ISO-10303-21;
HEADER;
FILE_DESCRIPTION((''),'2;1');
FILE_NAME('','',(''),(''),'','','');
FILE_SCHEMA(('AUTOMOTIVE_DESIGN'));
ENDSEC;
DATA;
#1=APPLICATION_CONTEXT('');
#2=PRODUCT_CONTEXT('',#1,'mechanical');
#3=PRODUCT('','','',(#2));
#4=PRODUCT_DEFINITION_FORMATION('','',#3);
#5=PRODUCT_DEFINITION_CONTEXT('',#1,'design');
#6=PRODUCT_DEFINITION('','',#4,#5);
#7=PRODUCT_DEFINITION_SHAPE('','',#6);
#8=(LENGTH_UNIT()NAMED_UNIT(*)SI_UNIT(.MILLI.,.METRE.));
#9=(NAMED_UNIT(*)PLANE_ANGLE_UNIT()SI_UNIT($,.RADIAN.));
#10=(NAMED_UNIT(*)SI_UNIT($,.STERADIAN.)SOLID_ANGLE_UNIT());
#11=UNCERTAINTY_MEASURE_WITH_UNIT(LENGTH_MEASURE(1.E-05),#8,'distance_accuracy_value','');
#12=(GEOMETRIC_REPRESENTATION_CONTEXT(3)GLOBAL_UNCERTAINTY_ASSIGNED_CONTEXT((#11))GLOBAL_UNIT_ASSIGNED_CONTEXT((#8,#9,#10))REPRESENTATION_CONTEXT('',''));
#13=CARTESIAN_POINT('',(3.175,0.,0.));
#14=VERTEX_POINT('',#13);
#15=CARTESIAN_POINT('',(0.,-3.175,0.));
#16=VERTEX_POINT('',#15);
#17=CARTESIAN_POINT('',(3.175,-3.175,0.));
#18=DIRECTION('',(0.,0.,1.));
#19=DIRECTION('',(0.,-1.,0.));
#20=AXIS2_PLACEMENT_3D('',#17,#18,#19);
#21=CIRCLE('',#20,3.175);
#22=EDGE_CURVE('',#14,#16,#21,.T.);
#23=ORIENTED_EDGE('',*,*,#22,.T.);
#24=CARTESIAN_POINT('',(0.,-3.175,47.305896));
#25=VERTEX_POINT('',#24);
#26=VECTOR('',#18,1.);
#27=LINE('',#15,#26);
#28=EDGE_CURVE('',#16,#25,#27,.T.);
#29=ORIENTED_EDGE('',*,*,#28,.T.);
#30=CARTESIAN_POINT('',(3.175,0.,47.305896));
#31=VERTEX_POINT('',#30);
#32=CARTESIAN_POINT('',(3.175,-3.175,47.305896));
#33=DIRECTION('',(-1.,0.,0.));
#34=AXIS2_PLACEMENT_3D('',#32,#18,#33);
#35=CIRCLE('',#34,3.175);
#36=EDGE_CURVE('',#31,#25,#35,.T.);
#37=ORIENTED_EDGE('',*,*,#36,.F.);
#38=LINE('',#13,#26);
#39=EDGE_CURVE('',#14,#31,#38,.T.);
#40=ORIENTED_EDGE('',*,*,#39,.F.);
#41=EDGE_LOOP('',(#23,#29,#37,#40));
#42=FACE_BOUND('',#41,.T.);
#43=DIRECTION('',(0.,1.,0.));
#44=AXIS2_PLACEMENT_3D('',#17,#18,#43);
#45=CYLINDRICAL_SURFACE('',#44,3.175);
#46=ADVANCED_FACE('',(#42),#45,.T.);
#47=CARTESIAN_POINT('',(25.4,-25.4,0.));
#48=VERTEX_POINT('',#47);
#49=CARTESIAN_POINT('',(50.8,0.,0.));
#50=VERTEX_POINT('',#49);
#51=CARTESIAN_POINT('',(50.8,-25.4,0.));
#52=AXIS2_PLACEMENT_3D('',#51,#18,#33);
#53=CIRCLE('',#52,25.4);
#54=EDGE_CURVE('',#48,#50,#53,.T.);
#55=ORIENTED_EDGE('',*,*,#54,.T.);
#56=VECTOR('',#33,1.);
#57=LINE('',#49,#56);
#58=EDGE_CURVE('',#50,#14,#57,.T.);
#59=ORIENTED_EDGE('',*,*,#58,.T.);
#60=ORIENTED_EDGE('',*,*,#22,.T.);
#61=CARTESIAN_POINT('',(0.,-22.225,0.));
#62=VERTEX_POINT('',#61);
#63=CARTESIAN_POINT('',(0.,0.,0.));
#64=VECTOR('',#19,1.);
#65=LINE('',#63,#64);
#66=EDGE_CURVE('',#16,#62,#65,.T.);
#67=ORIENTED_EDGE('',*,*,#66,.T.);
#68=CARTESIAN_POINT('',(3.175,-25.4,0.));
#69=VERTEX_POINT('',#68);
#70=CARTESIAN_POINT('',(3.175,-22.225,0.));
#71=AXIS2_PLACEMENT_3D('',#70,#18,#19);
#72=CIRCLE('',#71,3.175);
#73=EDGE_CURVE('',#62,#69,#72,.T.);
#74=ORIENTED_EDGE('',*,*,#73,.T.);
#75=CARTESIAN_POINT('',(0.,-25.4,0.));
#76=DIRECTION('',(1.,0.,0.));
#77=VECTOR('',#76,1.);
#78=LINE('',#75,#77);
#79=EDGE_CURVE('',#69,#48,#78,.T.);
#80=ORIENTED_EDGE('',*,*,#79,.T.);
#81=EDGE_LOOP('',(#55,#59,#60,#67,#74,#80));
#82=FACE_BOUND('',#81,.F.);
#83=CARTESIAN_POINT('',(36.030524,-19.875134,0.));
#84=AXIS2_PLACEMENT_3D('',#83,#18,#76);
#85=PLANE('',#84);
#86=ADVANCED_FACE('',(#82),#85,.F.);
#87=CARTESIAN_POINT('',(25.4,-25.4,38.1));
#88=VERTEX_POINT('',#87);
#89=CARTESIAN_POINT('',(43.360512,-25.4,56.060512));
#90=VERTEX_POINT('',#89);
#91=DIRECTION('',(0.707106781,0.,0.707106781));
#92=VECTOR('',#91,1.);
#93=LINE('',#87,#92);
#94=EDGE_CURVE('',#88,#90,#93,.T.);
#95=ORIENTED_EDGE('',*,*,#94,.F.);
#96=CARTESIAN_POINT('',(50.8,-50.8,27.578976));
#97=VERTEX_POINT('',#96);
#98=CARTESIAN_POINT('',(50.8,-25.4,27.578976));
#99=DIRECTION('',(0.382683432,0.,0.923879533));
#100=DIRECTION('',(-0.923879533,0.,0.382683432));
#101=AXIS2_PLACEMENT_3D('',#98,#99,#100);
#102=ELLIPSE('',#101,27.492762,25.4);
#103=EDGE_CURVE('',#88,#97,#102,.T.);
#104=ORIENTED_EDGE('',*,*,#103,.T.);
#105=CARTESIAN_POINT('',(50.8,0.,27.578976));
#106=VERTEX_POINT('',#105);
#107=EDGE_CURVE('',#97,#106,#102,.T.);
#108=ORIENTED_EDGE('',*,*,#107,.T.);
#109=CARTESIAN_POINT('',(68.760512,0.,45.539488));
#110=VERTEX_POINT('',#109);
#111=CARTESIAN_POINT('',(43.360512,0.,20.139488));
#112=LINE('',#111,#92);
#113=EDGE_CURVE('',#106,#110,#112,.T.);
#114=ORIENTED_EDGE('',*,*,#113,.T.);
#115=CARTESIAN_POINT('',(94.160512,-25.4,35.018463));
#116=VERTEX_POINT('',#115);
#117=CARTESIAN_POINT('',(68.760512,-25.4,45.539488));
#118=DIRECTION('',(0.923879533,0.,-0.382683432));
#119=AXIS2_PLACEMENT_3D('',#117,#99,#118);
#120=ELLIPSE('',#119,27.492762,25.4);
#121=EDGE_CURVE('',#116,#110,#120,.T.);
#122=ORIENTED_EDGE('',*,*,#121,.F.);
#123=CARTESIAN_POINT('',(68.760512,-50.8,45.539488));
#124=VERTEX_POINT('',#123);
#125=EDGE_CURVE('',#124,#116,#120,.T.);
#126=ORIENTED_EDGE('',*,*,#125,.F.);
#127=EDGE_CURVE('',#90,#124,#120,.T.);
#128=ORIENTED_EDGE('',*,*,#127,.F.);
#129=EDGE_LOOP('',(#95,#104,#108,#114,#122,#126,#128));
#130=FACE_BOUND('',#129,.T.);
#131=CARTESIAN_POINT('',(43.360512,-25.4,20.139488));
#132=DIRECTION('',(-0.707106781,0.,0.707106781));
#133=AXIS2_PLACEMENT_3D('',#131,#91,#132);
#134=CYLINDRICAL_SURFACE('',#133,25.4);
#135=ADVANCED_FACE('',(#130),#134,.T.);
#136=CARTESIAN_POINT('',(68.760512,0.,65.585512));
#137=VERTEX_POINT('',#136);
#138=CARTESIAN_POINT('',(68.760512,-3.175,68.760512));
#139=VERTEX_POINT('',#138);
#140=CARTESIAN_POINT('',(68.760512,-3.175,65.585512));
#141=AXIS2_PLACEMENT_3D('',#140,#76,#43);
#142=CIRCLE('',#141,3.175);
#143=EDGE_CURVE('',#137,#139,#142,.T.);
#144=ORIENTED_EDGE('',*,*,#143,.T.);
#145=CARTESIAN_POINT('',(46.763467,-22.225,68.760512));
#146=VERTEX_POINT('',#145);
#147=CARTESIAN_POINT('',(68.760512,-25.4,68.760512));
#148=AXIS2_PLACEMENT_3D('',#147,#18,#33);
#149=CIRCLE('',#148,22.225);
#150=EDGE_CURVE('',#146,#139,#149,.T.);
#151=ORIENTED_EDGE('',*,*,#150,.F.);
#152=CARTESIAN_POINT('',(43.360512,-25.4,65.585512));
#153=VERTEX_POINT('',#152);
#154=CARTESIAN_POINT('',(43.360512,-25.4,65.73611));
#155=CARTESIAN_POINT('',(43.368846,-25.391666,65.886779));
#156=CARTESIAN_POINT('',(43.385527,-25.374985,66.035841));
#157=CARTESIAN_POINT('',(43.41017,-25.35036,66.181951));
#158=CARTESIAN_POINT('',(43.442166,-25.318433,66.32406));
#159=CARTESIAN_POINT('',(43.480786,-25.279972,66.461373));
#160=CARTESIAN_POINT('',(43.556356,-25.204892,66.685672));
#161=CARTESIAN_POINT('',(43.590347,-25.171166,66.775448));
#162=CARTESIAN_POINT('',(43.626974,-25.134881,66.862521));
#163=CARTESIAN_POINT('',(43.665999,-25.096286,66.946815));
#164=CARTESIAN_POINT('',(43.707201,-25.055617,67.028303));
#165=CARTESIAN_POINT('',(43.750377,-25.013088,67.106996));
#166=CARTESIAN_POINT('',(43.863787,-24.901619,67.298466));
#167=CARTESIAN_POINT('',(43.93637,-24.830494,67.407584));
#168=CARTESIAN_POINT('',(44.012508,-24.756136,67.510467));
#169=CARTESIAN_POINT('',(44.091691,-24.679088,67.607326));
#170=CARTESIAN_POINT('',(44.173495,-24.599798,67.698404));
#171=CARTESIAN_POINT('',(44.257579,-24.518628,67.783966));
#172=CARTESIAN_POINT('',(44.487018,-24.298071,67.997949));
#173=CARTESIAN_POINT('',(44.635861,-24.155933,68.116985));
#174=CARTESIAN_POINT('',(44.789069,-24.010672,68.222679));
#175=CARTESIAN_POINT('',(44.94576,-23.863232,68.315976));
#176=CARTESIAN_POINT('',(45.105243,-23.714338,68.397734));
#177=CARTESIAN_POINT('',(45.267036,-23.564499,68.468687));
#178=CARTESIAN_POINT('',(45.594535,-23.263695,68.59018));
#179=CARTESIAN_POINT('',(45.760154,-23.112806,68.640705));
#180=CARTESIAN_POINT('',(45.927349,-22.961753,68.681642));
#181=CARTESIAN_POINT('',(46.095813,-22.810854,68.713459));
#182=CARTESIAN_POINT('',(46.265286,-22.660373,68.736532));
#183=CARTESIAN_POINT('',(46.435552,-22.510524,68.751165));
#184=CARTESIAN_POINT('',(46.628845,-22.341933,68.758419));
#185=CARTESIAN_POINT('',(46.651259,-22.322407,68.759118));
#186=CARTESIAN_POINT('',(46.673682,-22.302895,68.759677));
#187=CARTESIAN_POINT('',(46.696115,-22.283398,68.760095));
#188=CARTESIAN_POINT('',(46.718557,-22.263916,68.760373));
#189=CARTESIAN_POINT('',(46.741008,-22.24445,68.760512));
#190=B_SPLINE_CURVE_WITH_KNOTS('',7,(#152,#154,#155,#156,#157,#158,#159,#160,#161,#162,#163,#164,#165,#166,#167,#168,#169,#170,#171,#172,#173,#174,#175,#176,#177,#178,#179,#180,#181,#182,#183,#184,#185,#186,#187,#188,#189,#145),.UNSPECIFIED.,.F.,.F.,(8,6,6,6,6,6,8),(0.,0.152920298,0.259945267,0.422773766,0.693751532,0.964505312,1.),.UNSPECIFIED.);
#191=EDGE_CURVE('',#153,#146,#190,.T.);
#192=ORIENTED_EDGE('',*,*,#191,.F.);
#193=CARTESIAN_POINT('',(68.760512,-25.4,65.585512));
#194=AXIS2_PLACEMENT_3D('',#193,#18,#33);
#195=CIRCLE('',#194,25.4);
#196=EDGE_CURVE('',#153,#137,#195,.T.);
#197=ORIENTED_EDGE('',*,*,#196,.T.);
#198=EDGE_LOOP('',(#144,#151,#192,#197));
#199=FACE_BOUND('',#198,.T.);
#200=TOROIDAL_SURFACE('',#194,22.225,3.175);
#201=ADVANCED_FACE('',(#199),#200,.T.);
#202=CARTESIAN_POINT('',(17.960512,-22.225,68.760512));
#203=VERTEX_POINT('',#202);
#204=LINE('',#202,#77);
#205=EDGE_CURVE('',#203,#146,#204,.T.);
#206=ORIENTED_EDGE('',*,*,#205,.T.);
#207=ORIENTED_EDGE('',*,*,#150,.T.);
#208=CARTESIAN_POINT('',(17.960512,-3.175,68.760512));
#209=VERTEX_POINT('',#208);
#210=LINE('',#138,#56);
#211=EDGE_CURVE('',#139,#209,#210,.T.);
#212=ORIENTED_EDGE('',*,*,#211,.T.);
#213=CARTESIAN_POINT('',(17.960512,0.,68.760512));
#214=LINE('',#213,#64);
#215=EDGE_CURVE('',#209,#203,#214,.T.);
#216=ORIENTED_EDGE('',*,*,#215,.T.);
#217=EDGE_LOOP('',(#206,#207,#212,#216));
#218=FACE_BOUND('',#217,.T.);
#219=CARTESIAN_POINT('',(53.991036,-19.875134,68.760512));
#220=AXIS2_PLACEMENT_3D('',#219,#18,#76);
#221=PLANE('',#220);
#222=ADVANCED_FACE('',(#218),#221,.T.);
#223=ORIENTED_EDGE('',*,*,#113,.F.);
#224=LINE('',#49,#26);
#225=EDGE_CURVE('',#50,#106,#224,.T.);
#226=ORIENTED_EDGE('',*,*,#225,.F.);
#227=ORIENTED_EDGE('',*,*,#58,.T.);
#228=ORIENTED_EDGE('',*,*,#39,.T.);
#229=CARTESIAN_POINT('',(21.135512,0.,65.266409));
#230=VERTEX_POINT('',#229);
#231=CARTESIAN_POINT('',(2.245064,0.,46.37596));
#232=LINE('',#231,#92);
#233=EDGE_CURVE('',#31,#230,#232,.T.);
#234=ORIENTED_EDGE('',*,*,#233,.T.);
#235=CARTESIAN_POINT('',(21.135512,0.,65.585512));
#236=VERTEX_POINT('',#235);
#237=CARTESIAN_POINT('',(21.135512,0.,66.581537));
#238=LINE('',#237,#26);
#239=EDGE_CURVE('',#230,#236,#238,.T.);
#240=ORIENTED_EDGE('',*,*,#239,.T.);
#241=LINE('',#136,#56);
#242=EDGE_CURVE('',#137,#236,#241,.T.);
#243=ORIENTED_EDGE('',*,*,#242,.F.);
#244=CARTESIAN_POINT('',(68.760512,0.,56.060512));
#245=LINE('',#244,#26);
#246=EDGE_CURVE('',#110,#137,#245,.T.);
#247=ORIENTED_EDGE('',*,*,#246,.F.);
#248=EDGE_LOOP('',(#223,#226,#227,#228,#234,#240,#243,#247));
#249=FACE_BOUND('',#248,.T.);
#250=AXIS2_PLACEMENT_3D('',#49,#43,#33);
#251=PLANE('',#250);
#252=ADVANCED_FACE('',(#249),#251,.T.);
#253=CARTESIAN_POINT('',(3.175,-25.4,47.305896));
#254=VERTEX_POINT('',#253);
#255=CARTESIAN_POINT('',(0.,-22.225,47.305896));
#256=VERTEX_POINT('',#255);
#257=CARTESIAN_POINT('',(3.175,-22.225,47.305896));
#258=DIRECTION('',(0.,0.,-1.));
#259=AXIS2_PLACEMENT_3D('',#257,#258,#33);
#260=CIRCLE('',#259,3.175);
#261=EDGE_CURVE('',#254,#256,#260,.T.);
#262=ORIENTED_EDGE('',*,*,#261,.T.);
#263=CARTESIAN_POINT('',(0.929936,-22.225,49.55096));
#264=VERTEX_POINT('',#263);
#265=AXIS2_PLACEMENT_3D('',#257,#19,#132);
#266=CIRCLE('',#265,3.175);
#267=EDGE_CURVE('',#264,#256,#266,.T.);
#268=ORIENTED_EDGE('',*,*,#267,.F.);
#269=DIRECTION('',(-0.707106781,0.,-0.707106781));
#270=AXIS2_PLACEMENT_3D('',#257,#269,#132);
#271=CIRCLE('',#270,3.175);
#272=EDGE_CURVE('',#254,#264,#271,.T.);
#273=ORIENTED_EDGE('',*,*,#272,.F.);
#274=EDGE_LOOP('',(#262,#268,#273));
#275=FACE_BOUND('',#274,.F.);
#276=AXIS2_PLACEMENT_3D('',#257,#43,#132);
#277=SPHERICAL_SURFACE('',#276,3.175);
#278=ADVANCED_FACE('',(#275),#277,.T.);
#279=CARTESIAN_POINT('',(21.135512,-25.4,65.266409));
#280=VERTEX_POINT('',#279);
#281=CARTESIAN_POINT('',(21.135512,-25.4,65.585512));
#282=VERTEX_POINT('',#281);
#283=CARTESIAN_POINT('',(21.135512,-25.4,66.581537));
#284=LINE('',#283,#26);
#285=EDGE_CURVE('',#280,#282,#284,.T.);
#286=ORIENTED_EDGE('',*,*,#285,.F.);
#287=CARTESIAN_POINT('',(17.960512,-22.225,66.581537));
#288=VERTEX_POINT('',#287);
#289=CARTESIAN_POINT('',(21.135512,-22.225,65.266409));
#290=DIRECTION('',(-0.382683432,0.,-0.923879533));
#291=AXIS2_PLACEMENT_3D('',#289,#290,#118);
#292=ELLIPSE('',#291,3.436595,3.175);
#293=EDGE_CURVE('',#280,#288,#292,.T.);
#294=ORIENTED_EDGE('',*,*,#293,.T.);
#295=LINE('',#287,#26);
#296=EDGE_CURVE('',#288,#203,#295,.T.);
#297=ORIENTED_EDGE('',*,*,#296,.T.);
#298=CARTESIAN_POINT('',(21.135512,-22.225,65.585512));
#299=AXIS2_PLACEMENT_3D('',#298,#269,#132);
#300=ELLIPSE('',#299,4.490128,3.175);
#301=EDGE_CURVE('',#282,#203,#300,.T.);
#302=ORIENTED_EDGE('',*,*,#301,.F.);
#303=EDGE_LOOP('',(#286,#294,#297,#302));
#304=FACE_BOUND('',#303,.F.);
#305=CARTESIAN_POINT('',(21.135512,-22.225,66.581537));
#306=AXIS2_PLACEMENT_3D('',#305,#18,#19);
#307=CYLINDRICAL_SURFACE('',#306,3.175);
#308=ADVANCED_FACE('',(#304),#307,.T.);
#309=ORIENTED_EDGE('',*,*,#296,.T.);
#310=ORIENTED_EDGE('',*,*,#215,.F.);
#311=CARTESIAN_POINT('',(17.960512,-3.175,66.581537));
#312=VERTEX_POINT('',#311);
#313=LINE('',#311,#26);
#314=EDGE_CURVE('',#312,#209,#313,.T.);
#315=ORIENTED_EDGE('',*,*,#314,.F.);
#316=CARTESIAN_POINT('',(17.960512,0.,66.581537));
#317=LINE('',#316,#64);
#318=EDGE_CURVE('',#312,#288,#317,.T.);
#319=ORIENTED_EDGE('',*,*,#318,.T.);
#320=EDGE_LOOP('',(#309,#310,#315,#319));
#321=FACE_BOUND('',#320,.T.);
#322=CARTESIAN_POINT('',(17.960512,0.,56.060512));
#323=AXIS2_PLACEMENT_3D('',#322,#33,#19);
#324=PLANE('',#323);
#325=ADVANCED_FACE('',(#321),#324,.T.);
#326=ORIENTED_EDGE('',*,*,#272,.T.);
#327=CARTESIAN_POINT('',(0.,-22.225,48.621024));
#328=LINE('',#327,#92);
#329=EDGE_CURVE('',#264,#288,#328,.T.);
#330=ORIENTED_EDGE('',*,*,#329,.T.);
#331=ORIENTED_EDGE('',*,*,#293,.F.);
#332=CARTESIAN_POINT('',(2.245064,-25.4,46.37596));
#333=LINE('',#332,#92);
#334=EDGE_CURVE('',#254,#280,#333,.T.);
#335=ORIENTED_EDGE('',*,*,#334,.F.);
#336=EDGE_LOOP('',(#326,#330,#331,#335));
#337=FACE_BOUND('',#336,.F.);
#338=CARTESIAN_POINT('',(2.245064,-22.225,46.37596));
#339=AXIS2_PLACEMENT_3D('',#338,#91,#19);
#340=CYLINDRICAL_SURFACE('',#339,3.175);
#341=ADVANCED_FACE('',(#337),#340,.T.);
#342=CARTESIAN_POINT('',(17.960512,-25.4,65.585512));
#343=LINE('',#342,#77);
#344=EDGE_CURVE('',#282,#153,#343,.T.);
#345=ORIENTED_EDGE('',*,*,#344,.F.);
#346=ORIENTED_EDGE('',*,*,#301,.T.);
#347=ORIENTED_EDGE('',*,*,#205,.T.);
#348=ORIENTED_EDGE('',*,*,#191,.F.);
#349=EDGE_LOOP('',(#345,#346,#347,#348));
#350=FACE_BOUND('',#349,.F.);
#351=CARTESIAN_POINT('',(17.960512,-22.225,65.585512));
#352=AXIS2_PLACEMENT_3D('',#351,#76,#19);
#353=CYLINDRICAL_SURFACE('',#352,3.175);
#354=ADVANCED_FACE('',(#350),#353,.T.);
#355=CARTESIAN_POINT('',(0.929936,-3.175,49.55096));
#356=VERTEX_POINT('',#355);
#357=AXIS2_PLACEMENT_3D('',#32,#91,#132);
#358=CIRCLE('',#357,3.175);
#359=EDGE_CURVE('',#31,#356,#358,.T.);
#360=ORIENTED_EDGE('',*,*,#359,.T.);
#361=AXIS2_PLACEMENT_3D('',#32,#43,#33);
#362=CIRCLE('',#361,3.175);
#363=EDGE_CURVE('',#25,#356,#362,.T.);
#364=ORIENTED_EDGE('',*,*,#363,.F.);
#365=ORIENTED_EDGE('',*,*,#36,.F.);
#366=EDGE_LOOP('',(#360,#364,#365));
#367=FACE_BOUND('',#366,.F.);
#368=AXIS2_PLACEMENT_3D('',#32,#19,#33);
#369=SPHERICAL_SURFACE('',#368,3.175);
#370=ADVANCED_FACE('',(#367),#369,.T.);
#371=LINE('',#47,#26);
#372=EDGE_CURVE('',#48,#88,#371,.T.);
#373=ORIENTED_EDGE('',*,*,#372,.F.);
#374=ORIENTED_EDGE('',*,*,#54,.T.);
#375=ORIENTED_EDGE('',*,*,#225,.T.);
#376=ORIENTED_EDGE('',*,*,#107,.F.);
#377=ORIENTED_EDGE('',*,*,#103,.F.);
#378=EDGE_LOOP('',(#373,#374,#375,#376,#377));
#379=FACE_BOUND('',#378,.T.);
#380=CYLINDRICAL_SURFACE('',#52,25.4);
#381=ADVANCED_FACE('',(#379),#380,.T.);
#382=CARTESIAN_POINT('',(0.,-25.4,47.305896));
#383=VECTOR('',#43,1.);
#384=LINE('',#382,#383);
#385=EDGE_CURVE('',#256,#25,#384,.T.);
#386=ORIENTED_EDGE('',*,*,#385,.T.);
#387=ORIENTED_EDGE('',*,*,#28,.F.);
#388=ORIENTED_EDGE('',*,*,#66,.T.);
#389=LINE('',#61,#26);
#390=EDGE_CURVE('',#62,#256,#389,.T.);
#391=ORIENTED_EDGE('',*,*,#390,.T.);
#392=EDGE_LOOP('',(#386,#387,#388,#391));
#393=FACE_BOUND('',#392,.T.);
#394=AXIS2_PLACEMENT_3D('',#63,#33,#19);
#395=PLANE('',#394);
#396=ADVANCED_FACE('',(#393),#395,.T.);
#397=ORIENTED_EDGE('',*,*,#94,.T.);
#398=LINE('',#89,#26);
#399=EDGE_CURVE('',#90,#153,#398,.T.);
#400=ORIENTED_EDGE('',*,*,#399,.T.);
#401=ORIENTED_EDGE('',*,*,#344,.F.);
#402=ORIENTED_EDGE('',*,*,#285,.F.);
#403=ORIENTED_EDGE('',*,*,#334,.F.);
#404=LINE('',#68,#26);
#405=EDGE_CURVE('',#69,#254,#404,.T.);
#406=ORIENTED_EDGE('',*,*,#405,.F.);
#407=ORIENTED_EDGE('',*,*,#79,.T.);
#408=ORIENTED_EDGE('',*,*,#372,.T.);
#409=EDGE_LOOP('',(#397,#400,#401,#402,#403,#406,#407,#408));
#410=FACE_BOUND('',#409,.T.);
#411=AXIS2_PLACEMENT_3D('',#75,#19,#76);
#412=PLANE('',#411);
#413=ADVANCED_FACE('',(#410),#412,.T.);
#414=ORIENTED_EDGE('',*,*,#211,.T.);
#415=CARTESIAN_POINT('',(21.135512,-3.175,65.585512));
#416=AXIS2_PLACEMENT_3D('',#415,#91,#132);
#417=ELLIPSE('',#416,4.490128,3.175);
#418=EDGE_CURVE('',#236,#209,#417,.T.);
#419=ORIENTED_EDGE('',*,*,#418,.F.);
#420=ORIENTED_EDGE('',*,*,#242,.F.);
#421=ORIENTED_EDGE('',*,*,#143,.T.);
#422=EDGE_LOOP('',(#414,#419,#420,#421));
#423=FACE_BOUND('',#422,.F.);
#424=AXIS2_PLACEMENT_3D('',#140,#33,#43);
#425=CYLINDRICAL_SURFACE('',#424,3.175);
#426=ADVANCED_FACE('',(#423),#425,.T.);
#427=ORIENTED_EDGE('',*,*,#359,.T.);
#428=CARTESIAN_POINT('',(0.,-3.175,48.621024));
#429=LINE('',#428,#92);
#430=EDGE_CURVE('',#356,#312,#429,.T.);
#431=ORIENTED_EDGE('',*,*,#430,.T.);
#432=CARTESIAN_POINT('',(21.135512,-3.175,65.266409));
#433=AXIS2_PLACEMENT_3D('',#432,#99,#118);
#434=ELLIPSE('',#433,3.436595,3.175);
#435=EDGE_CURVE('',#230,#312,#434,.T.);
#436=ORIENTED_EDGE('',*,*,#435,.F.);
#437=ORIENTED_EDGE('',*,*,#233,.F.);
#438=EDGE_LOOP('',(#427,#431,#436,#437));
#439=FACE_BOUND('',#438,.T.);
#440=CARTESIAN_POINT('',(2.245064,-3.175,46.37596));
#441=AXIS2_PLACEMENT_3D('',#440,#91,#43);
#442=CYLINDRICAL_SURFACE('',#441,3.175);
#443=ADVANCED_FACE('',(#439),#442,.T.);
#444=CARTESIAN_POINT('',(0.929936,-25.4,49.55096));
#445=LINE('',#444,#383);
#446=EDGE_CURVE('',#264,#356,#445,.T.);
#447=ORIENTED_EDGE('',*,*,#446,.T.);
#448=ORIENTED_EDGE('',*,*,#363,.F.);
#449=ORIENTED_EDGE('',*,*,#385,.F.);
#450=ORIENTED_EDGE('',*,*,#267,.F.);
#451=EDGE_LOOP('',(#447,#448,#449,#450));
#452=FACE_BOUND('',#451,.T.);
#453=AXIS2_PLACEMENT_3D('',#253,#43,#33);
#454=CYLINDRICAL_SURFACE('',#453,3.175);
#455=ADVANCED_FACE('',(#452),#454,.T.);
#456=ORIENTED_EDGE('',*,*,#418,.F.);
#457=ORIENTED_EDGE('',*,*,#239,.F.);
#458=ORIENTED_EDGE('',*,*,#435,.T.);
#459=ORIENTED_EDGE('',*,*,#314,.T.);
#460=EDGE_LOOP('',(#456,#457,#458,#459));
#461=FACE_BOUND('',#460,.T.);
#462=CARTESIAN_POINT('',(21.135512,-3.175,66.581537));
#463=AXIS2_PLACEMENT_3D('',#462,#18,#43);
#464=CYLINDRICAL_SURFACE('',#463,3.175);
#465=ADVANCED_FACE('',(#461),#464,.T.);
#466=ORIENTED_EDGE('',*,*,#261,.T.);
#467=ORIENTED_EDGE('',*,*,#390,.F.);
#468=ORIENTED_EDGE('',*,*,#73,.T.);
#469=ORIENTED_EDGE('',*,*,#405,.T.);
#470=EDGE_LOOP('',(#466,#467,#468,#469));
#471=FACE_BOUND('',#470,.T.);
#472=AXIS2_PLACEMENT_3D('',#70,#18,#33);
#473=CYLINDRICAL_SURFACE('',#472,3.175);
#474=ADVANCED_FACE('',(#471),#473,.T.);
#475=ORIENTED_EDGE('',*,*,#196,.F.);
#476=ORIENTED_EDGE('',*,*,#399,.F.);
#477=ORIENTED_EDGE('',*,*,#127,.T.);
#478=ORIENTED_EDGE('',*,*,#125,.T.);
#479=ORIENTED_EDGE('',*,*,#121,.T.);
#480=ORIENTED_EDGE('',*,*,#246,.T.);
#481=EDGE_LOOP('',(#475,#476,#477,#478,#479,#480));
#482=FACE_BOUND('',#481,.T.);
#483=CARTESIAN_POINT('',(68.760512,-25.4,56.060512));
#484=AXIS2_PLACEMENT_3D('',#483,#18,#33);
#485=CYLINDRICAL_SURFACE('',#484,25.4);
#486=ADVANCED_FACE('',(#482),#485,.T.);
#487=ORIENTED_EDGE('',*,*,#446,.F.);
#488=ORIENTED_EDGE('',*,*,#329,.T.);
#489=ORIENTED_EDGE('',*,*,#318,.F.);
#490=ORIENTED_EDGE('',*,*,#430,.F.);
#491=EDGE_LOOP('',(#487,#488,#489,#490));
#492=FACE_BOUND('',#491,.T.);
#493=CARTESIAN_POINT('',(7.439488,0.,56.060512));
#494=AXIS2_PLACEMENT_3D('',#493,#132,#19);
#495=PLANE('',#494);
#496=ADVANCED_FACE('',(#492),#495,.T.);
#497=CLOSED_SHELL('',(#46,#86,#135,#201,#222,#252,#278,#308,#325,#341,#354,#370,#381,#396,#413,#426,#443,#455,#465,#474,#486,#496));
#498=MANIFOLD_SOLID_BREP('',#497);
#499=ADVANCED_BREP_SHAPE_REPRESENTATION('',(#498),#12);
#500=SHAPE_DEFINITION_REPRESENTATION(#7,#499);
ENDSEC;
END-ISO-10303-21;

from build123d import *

# Parameters (mm, degrees)
F3_R = 3.175


with BuildPart() as f2:
    # F2: sweep along a path in F1
    with BuildLine(Plane.XZ) as f2_path:
        Line((25.4, 0), (25.4, 38.1))
        Line((25.4, 38.1), (43.3605122421, 56.0605122421))
        Line((43.3605122421, 56.0605122421), (43.3605122421, 68.7605122421))
    # F0 (on Top) → F2 (sweep)
    with BuildSketch(Plane.XY):
        with BuildLine():
            Line((50.8, 0), (0, 0))
            Line((0, 0), (0, -25.4))
            Line((0, -25.4), (25.4, -25.4))
            ThreePointArc((25.4, -25.4), (68.7605122421, -43.3605122421), (50.8, 0))
        make_face()
    sweep(path=f2_path.line, transition=Transition.RIGHT)

    # F3
    f3_edges = [f2.edges().sort_by_distance(p)[0] for p in [
        (8.980256, -25.4, 57.601281),
        (0, -25.4, 24.310512),
        (0, -12.7, 48.621024),
        (0, 0, 24.310512),
        (8.980256, 0, 57.601281),
        (17.960512, -25.4, 67.671024),
        (30.660512, -25.4, 68.760512),
        (17.960512, 0, 67.671024),
        (43.360512, 0, 68.760512),
    ]]
    fillet(f3_edges, radius=F3_R)


solid = f2.part
